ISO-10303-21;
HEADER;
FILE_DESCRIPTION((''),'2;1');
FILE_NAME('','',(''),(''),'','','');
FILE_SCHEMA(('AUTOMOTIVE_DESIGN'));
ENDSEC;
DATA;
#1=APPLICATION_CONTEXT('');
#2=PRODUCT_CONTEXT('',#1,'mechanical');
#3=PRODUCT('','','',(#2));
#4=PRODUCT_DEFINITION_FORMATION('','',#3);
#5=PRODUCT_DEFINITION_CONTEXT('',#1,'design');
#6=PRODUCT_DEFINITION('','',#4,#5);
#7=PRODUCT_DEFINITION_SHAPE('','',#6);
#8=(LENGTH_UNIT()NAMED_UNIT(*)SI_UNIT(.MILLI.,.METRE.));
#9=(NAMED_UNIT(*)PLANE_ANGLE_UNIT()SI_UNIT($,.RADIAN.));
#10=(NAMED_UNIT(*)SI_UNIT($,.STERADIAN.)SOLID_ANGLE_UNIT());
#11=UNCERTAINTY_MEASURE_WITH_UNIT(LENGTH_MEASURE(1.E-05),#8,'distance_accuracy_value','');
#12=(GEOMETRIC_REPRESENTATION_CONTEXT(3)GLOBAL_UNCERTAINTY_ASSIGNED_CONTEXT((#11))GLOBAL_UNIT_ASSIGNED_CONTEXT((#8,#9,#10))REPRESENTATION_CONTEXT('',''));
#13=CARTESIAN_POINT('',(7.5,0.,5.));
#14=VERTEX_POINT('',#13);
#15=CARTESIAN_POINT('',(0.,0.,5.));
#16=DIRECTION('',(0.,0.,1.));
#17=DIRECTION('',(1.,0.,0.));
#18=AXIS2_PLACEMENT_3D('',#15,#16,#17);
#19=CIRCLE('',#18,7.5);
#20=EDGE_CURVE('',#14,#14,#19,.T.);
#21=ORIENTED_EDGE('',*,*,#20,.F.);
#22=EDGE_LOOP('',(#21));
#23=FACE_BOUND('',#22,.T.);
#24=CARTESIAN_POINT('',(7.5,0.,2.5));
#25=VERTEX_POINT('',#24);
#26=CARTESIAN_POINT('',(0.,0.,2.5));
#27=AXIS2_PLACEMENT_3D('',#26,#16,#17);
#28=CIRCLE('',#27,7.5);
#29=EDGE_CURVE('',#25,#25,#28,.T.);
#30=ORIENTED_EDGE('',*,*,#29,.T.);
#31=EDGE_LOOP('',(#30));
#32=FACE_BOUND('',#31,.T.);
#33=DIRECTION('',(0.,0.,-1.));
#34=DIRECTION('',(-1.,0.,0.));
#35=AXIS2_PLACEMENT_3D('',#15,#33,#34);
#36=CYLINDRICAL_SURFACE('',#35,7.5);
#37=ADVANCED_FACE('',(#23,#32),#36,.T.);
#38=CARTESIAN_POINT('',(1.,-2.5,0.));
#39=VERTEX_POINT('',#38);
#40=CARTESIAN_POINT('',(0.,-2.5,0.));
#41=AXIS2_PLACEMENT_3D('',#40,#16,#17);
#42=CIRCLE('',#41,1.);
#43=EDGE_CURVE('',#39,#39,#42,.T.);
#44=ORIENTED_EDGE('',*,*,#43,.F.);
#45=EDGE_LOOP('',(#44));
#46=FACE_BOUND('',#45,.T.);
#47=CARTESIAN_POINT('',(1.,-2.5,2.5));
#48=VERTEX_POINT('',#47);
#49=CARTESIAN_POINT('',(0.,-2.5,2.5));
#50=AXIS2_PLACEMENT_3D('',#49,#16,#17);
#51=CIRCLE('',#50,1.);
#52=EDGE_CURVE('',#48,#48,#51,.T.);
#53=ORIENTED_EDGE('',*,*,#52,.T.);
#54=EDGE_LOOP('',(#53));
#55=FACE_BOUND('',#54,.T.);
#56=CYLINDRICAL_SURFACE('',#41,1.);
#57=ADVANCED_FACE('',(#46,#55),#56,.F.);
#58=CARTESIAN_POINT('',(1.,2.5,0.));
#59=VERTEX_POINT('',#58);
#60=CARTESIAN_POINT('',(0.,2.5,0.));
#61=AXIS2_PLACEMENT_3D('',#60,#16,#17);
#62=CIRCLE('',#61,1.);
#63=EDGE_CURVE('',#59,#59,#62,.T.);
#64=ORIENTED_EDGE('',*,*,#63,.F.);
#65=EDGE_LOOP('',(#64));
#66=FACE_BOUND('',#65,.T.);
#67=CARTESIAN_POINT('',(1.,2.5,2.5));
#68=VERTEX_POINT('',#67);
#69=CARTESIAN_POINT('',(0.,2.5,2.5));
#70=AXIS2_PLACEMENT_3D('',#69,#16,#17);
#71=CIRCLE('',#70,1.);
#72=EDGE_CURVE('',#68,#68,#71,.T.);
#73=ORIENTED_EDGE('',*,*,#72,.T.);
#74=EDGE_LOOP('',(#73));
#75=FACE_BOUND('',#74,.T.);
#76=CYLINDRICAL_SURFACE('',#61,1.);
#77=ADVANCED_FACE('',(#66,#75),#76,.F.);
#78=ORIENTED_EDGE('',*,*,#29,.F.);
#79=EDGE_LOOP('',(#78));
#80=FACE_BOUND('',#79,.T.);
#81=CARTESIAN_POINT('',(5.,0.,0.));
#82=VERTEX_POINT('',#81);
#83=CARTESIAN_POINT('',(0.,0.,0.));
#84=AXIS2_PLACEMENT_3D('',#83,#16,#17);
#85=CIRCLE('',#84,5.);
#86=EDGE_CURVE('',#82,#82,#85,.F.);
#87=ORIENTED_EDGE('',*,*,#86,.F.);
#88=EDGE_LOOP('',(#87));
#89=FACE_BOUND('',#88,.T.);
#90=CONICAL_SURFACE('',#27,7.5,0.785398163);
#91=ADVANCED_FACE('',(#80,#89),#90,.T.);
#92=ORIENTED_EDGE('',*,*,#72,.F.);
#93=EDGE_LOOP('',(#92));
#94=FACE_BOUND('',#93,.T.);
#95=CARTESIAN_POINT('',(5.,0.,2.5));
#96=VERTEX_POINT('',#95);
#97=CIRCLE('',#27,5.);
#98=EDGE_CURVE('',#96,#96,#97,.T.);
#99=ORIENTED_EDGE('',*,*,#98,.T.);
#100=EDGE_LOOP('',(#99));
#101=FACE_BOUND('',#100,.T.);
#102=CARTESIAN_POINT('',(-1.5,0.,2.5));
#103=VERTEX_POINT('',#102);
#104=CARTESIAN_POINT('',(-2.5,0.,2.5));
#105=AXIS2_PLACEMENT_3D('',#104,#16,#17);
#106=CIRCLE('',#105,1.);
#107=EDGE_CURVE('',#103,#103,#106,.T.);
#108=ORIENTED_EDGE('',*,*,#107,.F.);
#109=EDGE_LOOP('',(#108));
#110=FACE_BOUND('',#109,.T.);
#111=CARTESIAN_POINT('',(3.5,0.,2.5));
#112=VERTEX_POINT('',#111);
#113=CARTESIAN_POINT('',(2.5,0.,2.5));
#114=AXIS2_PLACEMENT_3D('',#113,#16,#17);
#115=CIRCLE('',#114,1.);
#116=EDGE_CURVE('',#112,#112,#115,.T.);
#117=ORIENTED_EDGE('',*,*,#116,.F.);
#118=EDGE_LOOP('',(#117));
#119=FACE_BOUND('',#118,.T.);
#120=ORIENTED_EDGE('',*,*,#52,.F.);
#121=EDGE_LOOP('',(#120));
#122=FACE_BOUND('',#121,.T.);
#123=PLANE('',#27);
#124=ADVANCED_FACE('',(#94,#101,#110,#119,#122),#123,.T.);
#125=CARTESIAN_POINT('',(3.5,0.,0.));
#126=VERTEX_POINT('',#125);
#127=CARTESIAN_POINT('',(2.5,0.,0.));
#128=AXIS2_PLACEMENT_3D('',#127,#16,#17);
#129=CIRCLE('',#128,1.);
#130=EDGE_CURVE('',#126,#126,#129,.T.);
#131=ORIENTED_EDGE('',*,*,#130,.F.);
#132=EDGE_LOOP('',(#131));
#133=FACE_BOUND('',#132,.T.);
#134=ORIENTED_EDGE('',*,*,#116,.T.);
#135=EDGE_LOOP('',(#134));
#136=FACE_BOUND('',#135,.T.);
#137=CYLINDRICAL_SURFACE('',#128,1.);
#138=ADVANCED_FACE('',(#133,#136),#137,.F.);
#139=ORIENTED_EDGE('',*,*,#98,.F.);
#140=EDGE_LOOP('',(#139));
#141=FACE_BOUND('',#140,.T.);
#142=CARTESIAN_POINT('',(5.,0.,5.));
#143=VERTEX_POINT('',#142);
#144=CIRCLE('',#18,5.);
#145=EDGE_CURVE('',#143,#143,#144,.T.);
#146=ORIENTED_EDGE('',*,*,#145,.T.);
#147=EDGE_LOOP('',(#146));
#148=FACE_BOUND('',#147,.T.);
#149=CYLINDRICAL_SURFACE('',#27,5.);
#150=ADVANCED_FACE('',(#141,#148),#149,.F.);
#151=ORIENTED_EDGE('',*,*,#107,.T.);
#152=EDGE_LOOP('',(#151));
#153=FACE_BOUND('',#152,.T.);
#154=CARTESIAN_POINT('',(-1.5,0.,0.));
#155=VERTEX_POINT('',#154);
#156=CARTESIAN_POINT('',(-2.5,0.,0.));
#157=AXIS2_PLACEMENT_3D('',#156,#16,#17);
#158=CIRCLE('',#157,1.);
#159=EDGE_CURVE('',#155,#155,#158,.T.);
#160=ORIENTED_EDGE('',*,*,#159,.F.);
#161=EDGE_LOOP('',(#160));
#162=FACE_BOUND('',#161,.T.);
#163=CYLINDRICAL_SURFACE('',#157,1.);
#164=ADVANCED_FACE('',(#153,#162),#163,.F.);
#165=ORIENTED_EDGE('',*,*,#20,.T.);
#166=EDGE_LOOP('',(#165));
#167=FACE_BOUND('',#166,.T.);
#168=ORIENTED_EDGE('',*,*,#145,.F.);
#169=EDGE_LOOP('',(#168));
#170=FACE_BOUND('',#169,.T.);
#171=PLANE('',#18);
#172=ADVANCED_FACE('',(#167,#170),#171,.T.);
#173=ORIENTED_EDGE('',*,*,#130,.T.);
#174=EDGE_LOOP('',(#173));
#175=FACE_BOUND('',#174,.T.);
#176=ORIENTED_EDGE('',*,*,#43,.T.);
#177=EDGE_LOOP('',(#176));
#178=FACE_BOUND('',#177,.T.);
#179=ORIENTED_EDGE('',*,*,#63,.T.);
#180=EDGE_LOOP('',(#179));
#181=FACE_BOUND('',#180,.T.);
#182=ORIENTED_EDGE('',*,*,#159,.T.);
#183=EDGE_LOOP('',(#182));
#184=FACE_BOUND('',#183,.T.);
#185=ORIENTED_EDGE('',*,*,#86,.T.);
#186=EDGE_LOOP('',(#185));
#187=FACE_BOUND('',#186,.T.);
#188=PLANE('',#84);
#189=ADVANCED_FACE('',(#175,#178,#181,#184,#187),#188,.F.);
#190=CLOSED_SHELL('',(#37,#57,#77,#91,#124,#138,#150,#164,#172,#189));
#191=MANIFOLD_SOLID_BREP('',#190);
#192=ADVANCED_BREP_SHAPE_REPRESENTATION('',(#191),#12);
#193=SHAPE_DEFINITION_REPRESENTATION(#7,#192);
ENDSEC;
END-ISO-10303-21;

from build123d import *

# Parameters (mm, degrees)
SKETCH1_R           = 7.5
BOSS_EXTRUDE1_DEPTH = 5
SKETCH2_R           = 5
CUT_EXTRUDE1_DEPTH  = 2.5
CHAMFER1_SIZE       = 2.5
SKETCH3_R           = 1
CUT_EXTRUDE2_DEPTH  = 2.5


with BuildPart() as part:
    # Sketch1 → Boss-Extrude1 (new body)
    with BuildSketch(Plane.XY):
        Circle(SKETCH1_R)
    extrude(amount=BOSS_EXTRUDE1_DEPTH)

    # Sketch2 → Cut-Extrude1 (cut)
    with BuildSketch(Plane.XY.offset(5)):
        Circle(SKETCH2_R)
    extrude(amount=-CUT_EXTRUDE1_DEPTH, mode=Mode.SUBTRACT)

    # Chamfer1
    chamfer1_edges = [part.edges().sort_by_distance(p)[0] for p in [
        (-7.5, 0, 0),
    ]]
    chamfer(chamfer1_edges, length=CHAMFER1_SIZE)

    # Sketch3 → Cut-Extrude2 (cut)
    with BuildSketch(Plane.XY.offset(2.5)):
        with Locations((0, 2.5)):
            Circle(SKETCH3_R)
        with Locations((2.5, 0)):
            Circle(SKETCH3_R)
        with Locations((0, -2.5)):
            Circle(SKETCH3_R)
        with Locations((-2.5, 0)):
            Circle(SKETCH3_R)
    extrude(amount=-CUT_EXTRUDE2_DEPTH, mode=Mode.SUBTRACT)


solid = part.part
